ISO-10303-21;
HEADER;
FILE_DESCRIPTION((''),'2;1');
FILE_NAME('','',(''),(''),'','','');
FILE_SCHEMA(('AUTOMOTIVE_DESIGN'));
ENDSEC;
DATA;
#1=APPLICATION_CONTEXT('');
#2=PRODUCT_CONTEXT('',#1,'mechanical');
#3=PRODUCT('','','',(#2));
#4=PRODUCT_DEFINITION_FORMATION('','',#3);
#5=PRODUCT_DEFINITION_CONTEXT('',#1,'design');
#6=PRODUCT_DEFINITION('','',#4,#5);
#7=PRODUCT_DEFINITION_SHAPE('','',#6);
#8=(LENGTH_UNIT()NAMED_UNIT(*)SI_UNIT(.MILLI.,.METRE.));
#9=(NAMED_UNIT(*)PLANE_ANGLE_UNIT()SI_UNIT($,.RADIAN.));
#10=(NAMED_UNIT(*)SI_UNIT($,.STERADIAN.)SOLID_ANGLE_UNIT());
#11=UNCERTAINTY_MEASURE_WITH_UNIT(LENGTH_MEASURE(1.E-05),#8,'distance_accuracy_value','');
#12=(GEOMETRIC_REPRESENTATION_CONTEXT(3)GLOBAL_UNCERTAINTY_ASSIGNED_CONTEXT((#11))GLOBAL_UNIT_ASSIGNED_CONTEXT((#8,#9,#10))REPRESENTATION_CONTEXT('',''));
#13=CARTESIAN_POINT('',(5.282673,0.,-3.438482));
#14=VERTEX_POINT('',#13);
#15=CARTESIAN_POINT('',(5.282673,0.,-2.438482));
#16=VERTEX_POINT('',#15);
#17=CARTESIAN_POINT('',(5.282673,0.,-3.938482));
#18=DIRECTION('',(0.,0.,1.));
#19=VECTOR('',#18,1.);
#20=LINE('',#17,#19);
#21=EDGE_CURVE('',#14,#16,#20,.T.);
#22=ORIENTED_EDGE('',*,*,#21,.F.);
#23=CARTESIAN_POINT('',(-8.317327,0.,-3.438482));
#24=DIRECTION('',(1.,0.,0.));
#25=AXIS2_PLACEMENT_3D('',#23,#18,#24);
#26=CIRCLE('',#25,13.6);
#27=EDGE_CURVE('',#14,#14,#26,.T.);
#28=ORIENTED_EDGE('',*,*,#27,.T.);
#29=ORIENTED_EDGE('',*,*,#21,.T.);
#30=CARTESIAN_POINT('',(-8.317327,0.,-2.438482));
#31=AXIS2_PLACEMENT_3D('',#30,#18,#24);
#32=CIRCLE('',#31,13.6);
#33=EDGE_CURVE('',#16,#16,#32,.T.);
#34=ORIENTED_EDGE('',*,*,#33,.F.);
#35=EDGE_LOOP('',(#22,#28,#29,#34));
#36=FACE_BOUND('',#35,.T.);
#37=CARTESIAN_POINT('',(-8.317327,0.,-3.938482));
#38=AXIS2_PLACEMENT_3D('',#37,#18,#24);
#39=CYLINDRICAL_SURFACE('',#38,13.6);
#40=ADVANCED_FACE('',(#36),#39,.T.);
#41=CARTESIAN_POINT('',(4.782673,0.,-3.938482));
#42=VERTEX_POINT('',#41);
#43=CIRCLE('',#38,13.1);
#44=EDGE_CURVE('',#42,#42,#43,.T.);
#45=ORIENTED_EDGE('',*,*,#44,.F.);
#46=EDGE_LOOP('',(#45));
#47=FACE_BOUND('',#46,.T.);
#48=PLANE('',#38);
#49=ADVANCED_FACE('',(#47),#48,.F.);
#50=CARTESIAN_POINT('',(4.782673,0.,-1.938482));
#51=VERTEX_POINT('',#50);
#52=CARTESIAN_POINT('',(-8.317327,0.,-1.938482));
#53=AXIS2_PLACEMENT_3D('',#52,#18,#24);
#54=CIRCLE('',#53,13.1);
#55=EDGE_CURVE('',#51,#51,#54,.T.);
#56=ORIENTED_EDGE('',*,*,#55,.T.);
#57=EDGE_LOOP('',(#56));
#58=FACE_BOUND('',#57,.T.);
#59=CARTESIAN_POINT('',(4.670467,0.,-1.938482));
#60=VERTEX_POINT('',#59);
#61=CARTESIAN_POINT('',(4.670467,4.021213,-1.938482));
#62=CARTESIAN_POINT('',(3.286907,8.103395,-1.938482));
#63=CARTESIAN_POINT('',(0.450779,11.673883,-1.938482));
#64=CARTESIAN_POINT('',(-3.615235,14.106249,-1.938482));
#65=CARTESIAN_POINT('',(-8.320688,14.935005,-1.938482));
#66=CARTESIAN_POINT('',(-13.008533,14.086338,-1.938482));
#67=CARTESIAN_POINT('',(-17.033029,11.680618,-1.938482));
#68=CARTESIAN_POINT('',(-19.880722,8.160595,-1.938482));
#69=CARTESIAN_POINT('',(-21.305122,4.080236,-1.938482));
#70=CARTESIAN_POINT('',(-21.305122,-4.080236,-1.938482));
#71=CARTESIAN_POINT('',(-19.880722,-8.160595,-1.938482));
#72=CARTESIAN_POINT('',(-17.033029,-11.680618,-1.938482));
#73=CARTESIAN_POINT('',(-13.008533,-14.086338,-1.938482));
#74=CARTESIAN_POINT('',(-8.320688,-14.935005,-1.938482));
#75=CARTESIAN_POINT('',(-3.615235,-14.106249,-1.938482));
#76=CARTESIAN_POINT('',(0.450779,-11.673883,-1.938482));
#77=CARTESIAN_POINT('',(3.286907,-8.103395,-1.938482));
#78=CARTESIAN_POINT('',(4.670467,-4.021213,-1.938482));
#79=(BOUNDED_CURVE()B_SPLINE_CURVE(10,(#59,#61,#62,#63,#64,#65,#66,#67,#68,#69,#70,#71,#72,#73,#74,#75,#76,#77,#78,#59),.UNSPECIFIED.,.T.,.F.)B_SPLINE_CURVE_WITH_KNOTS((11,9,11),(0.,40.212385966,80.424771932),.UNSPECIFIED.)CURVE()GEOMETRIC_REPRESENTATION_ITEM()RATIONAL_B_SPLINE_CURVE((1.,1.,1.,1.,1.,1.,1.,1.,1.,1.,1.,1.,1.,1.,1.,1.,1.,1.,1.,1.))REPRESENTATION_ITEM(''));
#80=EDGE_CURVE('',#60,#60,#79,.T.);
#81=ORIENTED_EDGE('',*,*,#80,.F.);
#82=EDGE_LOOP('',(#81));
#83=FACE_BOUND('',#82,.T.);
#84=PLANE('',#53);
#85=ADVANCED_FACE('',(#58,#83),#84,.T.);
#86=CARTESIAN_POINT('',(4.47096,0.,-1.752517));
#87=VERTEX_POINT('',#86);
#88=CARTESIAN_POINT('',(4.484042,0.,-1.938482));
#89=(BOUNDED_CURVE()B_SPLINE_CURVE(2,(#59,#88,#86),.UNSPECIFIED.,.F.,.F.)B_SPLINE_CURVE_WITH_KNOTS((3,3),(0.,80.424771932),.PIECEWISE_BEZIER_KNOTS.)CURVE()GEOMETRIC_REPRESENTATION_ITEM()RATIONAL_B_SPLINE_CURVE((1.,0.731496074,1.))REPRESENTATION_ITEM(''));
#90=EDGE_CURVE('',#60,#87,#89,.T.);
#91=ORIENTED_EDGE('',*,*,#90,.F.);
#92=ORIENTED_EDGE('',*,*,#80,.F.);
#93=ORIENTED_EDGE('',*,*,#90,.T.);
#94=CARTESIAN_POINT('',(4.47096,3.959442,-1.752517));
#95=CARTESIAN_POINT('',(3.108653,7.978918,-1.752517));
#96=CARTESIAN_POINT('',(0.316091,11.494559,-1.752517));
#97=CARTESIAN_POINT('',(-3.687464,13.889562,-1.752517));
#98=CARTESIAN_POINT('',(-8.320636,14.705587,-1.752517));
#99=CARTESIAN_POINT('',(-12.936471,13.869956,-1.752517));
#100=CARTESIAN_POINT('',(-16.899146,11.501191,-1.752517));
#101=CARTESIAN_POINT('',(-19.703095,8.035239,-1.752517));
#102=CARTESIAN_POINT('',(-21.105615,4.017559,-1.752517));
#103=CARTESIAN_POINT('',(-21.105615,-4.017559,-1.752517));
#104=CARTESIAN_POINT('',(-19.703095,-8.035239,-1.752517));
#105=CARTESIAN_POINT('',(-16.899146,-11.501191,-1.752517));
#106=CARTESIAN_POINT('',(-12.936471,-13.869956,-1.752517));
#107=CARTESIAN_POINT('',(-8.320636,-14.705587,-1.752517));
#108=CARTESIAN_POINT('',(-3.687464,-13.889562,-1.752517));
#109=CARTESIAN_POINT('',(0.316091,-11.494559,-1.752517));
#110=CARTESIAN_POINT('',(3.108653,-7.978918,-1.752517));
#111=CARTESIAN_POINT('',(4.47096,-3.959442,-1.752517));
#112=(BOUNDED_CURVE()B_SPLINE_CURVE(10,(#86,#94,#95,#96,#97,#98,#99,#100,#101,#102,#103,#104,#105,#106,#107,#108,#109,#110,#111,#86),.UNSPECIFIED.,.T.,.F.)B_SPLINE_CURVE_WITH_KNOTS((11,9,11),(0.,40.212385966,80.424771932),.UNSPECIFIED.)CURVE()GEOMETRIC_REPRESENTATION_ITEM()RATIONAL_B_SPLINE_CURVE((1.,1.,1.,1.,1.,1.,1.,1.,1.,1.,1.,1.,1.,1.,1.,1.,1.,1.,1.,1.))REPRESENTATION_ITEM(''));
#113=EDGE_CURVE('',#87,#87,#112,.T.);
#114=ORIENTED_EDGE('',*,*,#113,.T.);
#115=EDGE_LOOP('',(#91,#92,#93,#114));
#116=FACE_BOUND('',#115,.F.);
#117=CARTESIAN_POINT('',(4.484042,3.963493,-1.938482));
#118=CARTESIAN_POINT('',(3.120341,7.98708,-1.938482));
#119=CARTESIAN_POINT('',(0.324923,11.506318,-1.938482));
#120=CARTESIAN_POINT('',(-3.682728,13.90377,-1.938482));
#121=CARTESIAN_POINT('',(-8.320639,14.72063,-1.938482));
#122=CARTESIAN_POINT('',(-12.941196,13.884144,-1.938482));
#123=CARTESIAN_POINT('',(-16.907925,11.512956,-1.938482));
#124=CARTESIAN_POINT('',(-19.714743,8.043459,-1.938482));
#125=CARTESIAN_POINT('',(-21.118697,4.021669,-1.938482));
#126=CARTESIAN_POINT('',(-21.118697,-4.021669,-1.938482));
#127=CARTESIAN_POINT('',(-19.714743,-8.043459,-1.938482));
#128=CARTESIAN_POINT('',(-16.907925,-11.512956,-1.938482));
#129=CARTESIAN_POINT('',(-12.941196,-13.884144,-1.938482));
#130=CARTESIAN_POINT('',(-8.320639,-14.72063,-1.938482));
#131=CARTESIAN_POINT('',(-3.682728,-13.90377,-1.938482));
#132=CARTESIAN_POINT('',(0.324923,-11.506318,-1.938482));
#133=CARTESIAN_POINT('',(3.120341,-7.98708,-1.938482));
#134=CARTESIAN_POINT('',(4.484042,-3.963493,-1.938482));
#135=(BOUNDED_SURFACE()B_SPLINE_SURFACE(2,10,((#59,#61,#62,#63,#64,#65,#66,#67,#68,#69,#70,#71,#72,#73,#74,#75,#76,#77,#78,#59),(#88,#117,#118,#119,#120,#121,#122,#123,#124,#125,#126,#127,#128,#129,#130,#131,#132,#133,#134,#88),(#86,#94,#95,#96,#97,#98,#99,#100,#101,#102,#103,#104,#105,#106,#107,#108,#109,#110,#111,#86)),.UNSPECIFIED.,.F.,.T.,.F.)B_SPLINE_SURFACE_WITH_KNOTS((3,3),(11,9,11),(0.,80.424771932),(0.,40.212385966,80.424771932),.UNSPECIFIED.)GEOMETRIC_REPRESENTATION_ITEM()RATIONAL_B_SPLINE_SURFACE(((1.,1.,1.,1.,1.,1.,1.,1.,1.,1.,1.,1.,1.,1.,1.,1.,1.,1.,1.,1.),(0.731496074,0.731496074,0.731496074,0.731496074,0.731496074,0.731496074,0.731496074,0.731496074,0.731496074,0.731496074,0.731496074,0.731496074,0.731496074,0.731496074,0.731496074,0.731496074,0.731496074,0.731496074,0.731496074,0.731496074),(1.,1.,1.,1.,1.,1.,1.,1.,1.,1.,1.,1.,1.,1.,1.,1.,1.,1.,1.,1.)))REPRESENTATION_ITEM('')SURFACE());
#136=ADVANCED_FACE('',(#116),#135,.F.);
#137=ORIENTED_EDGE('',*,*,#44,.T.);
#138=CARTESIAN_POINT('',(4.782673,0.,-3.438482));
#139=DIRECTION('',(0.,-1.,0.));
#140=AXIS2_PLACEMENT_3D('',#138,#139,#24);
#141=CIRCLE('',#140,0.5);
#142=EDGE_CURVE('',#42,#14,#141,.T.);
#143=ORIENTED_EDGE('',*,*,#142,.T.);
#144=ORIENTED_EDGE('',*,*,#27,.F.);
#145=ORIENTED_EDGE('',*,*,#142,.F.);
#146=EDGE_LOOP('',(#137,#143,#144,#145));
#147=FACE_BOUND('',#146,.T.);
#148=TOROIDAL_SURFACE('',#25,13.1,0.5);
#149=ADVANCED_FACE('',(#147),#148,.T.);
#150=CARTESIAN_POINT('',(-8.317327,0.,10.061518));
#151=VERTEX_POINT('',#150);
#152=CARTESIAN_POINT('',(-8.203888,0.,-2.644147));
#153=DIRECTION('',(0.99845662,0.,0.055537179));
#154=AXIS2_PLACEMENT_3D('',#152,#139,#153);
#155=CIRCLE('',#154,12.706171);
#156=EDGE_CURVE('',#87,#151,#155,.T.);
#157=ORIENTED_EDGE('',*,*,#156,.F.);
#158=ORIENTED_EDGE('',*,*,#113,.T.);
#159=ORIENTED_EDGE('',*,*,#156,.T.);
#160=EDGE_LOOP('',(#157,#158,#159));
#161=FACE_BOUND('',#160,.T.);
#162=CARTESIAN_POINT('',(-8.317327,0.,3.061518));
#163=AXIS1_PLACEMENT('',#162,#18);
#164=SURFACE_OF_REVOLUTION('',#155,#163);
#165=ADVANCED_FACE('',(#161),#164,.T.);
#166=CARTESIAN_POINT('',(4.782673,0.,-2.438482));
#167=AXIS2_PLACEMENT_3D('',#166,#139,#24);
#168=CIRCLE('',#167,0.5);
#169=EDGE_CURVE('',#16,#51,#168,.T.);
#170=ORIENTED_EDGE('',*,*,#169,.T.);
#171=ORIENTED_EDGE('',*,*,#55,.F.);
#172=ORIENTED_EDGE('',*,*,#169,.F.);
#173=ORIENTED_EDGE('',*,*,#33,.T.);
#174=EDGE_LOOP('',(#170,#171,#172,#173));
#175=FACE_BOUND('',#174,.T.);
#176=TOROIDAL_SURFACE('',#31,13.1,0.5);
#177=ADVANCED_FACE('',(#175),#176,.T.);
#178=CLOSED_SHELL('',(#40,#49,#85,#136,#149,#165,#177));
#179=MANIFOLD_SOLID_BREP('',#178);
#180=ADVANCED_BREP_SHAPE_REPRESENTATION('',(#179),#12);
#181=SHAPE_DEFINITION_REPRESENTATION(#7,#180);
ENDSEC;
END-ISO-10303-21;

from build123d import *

# Parameters (mm, degrees)
F2_R = 0.5
F3_R = 0.2


with BuildPart() as f1:
    # F0 (on Front) → F1 (revolve)
    with BuildSketch(Plane.XZ):
        with BuildLine():
            Line((-8.3173271554, 10.0615177009), (-8.3173271554, -3.9384822991))
            Line((-8.3173271554, -3.9384822991), (5.2826728446, -3.9384822991))
            Line((5.2826728446, -3.9384822991), (5.2826728446, -1.9384822991))
            Line((5.2826728446, -1.9384822991), (4.4826728446, -1.9384822991))
            ThreePointArc((4.4826728446, -1.9384822991), (0.4863851378, 6.6254774803), (-8.3173271554, 10.0615177009))
        make_face()
    revolve(axis=Axis((-8.3173271554, 0, 3.0615177009), (0, 0, 1)))

    # F2
    f2_edges = [f1.edges().sort_by_distance(p)[0] for p in [
        (-21.917327, 0, -3.938482),
        (-21.917327, 0, -1.938482),
    ]]
    fillet(f2_edges, radius=F2_R)

    # F3
    f3_edges = [f1.edges().sort_by_distance(p)[0] for p in [
        (-21.117327, 0, -1.938482),
    ]]
    fillet(f3_edges, radius=F3_R)


solid = f1.part
